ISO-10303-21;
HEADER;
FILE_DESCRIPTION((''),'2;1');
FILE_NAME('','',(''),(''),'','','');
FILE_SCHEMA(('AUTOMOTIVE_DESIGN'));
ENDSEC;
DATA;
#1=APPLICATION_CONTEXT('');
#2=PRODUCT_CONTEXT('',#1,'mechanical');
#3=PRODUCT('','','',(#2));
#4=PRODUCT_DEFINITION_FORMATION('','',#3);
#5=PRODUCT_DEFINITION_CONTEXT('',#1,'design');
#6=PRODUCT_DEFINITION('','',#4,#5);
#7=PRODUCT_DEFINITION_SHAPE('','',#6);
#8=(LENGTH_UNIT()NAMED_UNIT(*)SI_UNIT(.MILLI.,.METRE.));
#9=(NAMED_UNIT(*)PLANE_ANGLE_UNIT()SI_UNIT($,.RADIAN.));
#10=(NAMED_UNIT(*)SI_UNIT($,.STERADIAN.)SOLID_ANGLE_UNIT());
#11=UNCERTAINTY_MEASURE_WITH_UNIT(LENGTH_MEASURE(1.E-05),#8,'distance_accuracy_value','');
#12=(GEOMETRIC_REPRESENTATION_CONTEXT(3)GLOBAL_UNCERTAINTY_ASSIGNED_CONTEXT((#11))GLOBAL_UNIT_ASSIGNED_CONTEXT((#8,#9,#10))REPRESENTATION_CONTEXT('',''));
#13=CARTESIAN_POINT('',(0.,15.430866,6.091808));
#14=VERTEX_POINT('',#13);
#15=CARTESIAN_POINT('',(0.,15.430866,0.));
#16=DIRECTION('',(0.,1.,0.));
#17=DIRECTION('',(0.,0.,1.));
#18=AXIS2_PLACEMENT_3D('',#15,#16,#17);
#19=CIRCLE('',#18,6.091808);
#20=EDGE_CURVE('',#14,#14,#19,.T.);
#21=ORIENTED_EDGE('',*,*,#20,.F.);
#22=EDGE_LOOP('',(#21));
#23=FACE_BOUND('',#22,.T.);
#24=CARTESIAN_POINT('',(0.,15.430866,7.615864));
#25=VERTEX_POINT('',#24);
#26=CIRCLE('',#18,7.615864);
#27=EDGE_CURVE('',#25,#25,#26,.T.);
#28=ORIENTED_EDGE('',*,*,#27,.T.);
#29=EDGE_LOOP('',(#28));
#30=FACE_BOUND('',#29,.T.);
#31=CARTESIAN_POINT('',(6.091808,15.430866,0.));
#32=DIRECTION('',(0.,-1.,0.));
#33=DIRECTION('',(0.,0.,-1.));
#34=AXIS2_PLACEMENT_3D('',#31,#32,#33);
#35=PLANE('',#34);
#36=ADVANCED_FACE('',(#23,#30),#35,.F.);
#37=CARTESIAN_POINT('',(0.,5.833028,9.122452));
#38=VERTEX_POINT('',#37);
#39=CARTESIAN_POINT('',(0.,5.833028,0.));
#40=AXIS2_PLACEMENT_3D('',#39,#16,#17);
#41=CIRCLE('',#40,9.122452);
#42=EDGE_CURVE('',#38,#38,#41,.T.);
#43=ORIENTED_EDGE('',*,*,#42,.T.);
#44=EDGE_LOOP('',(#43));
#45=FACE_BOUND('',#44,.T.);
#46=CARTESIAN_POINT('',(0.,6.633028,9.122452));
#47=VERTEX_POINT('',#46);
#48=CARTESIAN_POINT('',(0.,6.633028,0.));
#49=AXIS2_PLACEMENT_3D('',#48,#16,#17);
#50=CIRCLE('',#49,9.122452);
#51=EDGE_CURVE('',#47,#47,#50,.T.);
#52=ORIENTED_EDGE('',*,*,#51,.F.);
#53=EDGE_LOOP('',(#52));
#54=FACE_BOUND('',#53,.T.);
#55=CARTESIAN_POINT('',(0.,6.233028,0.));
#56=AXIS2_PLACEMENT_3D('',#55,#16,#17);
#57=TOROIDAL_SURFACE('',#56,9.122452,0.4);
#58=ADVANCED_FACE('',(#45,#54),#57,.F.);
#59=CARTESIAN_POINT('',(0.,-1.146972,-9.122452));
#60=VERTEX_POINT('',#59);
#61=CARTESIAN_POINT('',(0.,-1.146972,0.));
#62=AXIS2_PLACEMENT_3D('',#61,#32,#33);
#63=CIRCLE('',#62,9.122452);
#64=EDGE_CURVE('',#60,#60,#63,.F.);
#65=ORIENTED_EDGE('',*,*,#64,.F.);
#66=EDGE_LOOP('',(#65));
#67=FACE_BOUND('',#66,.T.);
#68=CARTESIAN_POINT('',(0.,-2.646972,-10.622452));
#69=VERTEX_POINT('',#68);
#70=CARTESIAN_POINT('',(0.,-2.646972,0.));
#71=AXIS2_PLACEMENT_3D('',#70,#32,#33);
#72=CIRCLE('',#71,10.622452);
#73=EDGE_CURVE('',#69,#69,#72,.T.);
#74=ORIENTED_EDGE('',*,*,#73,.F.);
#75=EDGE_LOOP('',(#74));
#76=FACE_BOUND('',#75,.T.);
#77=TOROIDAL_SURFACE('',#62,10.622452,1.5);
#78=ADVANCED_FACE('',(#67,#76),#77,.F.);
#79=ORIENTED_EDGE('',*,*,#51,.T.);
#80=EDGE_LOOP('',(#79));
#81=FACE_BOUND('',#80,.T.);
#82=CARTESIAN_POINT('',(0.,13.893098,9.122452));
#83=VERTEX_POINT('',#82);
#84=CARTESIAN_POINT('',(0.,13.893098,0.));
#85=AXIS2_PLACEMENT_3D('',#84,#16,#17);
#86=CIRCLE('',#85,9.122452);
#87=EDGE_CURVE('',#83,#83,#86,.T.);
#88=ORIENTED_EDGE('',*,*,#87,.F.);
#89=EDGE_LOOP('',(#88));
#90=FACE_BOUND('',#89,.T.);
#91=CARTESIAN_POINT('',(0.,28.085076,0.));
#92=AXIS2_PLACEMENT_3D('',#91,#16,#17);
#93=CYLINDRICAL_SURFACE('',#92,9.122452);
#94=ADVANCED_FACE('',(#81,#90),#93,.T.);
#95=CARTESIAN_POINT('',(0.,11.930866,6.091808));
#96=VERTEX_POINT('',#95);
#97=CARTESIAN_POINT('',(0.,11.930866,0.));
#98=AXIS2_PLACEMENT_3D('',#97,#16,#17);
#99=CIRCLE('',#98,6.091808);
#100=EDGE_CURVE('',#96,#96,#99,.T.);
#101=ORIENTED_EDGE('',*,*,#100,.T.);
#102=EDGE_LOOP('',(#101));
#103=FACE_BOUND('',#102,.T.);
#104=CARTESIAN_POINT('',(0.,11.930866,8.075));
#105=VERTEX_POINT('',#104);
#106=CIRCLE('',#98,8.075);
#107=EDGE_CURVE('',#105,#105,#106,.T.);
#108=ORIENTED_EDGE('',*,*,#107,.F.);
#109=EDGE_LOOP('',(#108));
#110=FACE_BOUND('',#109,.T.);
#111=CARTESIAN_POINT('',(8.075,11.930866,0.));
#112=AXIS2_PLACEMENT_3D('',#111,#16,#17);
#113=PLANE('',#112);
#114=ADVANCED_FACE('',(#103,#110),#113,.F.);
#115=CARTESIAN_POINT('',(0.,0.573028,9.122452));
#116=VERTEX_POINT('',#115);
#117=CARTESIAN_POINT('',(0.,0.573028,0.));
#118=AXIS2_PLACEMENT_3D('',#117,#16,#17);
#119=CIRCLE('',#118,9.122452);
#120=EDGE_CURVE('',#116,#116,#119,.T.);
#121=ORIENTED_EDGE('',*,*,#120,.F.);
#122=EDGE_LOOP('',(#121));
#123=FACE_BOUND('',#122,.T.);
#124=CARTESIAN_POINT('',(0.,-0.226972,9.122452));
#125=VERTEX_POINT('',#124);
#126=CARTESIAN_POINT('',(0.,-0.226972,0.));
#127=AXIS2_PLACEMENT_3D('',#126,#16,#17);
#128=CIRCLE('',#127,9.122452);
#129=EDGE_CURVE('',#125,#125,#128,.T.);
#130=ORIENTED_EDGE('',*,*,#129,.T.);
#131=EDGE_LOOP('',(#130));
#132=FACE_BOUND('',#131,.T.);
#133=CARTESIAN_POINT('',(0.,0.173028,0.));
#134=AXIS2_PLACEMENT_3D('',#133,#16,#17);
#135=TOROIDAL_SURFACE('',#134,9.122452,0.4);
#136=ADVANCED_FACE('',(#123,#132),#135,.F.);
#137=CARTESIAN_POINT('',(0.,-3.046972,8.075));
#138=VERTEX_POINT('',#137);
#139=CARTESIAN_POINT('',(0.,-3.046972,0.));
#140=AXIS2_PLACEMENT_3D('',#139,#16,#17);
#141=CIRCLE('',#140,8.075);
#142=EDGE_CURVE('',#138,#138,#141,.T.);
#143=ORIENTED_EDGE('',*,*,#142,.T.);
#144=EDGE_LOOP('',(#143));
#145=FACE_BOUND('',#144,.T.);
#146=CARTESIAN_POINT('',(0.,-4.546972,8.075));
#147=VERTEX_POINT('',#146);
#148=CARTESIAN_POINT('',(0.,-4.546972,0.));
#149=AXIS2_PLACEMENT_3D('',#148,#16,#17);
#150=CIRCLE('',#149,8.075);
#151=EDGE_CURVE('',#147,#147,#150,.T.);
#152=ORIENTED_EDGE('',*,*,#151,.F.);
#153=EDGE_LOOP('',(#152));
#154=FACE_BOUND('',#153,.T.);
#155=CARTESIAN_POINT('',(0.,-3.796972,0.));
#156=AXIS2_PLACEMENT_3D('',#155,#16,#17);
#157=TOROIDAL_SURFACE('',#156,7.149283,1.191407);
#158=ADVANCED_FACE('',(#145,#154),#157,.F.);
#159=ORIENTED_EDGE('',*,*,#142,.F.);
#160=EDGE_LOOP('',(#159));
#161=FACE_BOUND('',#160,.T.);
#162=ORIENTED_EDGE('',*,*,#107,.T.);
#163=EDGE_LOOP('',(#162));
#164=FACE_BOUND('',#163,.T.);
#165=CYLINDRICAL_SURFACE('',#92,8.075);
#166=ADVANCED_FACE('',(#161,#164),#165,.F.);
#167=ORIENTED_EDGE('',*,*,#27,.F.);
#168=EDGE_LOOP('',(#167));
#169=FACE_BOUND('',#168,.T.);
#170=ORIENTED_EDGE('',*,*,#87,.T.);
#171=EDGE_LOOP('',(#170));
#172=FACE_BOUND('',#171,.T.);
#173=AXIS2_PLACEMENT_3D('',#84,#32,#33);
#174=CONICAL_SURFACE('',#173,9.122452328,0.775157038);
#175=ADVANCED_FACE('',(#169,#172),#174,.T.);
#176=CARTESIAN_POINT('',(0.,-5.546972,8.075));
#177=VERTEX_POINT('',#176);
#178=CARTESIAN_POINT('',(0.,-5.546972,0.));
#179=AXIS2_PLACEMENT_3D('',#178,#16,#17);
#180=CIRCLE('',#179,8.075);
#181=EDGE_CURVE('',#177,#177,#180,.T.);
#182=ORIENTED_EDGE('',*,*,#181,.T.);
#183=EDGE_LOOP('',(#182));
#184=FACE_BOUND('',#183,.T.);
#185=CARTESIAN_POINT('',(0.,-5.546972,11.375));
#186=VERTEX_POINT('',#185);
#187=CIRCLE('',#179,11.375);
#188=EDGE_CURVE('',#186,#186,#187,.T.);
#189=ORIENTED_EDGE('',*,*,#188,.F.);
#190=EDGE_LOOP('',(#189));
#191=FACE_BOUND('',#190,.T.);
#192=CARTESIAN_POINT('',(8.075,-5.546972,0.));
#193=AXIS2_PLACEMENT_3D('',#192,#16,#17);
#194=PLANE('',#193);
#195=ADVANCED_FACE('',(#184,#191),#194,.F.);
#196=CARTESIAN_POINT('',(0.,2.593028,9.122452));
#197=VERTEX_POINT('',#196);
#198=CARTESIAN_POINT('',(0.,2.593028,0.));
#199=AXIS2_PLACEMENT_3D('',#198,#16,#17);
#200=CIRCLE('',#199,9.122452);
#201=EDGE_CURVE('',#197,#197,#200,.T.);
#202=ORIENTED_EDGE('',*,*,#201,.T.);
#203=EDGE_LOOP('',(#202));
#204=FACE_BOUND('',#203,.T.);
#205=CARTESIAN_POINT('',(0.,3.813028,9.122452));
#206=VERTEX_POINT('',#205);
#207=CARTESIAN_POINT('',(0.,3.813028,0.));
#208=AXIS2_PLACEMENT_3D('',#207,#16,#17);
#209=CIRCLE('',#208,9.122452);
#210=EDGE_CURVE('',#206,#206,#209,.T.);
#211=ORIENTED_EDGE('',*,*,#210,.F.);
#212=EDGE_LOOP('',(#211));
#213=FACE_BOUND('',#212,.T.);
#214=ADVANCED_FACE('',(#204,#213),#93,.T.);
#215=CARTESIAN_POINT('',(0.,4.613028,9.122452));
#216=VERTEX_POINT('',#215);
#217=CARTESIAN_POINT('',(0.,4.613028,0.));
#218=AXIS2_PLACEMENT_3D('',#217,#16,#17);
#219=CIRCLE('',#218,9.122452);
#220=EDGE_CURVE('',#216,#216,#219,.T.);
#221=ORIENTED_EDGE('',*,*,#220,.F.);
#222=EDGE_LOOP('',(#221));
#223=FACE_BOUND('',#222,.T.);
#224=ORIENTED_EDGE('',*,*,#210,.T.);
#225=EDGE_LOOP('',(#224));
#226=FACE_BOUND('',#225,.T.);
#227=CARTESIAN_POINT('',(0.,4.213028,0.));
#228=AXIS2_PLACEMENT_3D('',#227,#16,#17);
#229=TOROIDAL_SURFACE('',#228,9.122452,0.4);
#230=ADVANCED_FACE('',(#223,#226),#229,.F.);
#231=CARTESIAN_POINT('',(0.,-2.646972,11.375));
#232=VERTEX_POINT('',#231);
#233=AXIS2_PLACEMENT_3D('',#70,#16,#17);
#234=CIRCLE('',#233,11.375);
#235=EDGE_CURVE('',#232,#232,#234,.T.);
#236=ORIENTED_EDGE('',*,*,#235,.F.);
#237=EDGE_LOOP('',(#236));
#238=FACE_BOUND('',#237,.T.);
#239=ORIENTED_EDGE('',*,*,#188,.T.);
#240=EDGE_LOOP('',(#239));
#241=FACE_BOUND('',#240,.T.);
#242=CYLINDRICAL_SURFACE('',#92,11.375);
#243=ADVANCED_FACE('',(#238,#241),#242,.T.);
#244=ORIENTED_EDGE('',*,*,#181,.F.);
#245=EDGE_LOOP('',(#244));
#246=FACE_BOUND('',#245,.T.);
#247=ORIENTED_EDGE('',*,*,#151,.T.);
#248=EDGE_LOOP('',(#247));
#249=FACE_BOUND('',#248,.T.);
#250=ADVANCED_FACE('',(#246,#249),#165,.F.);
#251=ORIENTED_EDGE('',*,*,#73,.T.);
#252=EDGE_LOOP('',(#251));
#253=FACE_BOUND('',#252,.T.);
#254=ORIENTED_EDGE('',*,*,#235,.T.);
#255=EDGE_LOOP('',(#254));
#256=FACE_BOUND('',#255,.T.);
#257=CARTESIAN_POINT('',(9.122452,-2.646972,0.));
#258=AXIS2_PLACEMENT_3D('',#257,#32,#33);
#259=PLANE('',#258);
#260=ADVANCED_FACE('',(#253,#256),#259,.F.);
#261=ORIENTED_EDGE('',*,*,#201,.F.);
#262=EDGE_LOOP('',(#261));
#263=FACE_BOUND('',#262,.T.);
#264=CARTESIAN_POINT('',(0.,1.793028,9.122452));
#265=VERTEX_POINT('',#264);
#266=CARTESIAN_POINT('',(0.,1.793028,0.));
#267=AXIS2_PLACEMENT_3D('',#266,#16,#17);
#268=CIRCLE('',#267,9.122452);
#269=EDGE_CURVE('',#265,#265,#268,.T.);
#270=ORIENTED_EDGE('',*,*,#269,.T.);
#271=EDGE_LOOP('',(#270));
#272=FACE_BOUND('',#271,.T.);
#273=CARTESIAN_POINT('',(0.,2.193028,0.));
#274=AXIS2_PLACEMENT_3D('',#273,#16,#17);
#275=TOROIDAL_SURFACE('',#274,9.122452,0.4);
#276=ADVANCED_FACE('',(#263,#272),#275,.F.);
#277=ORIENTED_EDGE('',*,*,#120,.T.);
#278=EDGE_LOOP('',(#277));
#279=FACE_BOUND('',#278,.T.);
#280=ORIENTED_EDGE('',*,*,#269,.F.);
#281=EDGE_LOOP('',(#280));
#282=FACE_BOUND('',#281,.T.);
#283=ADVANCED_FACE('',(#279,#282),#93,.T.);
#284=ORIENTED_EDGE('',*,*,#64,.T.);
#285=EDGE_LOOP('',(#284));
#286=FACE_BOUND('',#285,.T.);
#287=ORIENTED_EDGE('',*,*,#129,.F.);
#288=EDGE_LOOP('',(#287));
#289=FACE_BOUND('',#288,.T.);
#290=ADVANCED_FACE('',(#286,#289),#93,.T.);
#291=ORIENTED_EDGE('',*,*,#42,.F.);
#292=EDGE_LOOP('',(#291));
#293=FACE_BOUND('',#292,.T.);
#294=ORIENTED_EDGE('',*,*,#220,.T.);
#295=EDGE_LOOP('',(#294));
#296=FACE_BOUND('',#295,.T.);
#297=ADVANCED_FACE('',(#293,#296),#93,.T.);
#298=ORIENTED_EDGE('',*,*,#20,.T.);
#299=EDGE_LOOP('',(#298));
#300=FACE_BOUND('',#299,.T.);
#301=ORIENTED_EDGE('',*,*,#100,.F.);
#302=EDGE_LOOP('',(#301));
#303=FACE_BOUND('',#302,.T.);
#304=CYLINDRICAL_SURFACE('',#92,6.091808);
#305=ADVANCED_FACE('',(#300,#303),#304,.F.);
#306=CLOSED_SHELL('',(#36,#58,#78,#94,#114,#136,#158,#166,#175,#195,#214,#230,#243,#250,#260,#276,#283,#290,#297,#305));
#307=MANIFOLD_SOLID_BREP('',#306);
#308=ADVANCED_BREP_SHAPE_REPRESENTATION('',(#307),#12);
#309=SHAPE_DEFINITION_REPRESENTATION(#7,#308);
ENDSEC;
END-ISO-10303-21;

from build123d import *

# Parameters (mm, degrees)
FILLET4_R = 1.5


with BuildPart() as part:
    # Sketch1 → Revolve1 (revolve)
    with BuildSketch(Plane.XY, mode=Mode.PRIVATE) as revolve1_sk:
        with BuildLine():
            Line((6.09180829, 15.430866008), (7.615863529, 15.430866008))
            Line((7.615863529, 15.430866008), (9.122452328, 13.893098484))
            Line((9.122452328, 13.893098484), (9.122452328, 6.633027546))
            ThreePointArc((9.122452328, 6.633027546), (8.722452328, 6.233027546), (9.122452328, 5.833027546))
            Line((9.122452328, 5.833027546), (9.122452328, 4.613027546))
            ThreePointArc((9.122452328, 4.613027546), (8.722452328, 4.213027546), (9.122452328, 3.813027546))
            Line((9.122452328, 3.813027546), (9.122452328, 2.593027546))
            ThreePointArc((9.122452328, 2.593027546), (8.722452328, 2.193027546), (9.122452328, 1.793027546))
            Line((9.122452328, 1.793027546), (9.122452328, 0.573027546))
            ThreePointArc((9.122452328, 0.573027546), (8.722452328, 0.173027546), (9.122452328, -0.226972454))
            Line((9.122452328, -0.226972454), (9.122452328, -2.646972454))
            Line((9.122452328, -2.646972454), (11.375, -2.646972454))
            Line((11.375, -2.646972454), (11.375, -5.546972454))
            Line((11.375, -5.546972454), (8.075, -5.546972454))
            Line((8.075, -5.546972454), (8.075, -4.546972454))
            ThreePointArc((8.075, -4.546972454), (8.340690566, -3.79697245), (8.074999974, -3.046972454))
            Line((8.074999974, -3.046972454), (8.074999974, 11.930866008))
            Line((8.074999974, 11.930866008), (6.09180829, 11.930866008))
            Line((6.09180829, 11.930866008), (6.09180829, 15.430866008))
        make_face()
    revolve(revolve1_sk.sketch.rotate(Axis((0, 28.085075737, 0), (0, -1, 0)), 90), axis=Axis((0, 28.085075737, 0), (0, -1, 0)))

    # Fillet4
    fillet4_edges = [part.edges().sort_by_distance(p)[0] for p in [
        (0, -2.646972454, -9.122452328),
    ]]
    fillet(fillet4_edges, radius=FILLET4_R)


solid = part.part
